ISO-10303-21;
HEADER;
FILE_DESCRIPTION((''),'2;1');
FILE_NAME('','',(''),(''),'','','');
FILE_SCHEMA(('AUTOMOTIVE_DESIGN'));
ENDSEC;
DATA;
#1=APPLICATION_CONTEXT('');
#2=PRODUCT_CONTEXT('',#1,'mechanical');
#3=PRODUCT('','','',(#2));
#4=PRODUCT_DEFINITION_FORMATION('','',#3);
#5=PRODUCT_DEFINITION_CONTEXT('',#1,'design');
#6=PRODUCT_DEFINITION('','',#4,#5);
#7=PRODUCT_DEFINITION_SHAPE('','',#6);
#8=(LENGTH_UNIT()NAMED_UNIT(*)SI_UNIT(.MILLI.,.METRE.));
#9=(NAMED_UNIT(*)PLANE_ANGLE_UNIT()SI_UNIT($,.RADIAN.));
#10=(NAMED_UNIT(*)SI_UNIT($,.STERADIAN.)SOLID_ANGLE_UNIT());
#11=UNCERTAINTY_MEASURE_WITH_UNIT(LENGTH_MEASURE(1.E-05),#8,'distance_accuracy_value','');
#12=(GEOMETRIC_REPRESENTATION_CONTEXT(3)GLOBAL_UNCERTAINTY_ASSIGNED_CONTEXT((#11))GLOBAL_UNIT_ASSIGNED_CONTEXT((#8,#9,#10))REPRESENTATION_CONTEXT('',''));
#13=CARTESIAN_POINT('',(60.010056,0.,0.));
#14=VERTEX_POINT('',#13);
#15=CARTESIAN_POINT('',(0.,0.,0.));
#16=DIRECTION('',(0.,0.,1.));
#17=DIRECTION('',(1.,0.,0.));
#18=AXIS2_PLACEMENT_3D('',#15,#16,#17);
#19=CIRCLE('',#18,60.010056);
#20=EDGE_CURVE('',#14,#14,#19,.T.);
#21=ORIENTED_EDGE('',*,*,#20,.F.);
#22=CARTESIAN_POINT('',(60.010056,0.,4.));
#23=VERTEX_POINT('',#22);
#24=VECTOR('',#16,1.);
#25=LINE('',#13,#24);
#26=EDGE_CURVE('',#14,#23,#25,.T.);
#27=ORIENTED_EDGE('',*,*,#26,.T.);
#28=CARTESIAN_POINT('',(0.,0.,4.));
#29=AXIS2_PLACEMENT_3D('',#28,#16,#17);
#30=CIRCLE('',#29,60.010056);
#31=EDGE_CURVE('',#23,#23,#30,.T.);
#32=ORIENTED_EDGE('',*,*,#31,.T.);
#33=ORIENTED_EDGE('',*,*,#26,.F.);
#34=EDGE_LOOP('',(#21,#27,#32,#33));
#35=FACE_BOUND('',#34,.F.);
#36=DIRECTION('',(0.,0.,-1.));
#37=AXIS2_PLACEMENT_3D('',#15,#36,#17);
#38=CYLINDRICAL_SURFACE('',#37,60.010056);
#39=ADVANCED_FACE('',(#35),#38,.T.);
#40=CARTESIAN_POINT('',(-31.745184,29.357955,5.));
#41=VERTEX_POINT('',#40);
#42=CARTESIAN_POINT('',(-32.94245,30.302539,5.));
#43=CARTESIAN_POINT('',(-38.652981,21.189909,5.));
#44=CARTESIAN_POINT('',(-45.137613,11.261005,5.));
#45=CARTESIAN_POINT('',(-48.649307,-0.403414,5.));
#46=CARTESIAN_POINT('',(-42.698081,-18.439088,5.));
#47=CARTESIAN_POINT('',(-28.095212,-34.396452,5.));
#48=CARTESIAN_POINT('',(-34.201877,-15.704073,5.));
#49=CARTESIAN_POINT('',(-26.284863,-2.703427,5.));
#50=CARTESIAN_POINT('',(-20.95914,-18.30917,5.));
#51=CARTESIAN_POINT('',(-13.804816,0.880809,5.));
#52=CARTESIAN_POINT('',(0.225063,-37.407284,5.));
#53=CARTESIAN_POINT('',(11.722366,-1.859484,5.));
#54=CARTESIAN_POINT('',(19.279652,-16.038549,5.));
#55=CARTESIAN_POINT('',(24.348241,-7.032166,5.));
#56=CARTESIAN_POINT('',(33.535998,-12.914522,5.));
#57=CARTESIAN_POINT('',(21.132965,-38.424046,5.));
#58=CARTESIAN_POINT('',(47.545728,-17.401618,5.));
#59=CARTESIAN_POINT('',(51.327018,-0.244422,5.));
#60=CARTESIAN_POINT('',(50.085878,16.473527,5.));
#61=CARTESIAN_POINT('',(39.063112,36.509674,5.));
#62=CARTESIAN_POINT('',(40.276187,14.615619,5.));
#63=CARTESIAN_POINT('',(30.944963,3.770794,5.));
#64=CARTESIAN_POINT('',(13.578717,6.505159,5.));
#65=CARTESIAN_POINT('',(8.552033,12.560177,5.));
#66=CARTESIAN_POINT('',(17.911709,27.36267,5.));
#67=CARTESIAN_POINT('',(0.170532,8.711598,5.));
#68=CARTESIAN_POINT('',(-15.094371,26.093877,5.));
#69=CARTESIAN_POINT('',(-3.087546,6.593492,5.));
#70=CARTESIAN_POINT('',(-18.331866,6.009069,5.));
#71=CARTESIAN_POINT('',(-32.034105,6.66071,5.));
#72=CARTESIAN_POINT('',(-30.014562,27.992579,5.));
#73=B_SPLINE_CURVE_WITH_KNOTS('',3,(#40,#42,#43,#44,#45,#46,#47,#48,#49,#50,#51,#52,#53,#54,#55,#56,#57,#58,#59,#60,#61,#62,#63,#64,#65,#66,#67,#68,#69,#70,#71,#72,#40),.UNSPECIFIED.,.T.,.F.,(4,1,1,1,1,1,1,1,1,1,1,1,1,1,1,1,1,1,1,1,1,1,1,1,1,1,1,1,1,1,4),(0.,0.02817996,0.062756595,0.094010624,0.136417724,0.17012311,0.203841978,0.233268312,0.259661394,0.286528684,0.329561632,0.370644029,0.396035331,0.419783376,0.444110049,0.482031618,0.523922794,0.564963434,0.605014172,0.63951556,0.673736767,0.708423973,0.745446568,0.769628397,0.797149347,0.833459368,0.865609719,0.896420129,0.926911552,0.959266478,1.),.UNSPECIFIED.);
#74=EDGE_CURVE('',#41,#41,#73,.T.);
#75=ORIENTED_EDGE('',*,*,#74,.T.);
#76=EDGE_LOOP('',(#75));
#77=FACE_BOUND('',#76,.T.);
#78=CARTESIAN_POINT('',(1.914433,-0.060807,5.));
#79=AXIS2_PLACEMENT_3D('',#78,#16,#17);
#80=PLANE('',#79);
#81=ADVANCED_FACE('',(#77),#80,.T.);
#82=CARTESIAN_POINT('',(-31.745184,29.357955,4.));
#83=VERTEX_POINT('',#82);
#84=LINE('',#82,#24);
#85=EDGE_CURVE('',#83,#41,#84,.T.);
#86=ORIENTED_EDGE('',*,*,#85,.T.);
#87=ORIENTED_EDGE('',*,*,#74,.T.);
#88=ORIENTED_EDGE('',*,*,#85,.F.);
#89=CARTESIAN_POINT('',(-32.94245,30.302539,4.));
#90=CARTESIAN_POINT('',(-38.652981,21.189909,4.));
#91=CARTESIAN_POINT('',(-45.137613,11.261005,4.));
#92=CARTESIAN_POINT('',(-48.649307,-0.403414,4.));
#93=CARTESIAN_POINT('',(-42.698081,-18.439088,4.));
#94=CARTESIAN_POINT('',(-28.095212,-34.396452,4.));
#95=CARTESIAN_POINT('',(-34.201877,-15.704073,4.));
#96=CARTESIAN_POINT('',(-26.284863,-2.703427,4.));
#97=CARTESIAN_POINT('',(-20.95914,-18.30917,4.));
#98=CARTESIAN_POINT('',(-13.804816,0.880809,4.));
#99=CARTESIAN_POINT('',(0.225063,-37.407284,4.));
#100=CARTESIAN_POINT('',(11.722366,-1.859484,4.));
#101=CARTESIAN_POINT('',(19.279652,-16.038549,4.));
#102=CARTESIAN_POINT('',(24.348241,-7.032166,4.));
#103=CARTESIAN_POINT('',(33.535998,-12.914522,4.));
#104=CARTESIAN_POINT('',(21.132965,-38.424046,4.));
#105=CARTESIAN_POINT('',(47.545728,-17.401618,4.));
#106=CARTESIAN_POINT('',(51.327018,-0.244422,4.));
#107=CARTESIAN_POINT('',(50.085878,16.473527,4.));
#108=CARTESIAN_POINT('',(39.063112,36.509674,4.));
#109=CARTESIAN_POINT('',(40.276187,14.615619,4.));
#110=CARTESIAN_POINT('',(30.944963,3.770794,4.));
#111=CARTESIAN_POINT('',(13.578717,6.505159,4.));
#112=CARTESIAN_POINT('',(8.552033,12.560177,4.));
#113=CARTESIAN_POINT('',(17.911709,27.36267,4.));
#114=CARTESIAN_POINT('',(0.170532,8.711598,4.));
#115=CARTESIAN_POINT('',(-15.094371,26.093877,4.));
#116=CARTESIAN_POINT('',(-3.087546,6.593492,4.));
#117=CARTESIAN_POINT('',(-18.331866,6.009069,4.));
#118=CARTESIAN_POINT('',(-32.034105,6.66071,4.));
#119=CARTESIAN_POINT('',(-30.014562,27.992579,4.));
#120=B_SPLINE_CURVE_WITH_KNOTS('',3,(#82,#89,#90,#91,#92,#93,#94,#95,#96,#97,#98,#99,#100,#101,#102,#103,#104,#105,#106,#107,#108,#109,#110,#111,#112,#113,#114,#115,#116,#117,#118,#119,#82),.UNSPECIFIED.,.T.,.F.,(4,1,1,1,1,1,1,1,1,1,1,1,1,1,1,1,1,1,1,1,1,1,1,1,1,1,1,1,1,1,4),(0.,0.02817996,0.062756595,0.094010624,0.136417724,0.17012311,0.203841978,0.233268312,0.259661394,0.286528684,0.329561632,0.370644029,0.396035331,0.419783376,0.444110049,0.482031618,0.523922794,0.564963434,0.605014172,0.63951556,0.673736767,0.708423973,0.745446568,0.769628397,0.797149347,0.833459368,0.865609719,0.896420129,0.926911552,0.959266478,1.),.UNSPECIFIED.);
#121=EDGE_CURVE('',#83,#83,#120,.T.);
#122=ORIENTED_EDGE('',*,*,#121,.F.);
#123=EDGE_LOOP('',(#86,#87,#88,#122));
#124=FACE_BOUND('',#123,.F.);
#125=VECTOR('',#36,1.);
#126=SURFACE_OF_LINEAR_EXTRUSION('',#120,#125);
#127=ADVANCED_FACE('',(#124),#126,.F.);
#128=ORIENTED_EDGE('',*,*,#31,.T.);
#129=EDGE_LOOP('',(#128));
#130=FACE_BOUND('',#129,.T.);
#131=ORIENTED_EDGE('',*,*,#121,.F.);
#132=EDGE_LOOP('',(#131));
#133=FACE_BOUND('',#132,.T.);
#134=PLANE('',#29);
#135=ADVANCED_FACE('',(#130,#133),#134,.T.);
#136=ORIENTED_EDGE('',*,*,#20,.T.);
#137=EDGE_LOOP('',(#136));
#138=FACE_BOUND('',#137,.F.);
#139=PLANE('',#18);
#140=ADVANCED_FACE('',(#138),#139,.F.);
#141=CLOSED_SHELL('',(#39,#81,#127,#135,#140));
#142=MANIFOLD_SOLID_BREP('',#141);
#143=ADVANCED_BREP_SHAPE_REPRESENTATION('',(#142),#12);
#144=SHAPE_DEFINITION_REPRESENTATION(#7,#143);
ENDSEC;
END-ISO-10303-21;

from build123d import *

# Parameters (mm, degrees)
F0_R     = 60.0100561602
F1_DEPTH = 4
F3_DEPTH = 1


with BuildPart() as f1:
    # F0 (on Top) → F1 (new body)
    with BuildSketch(Plane.XY):
        Circle(F0_R)
    extrude(amount=F1_DEPTH)

    # F2 (on face) → F3 (join)
    with BuildSketch(Plane.XY.offset(4)):
        with BuildLine():
            add(Edge.make_bspline(
                [(-31.7451842129, 29.3579548597), (-32.9424504326, 30.3025389549), (-38.6529808852, 21.1899091179), (-45.1376131073, 11.2610049819), (-48.6493074718, -0.4034135293), (-42.6980805817, -18.4390875866), (-28.0952115327, -34.3964516312), (-34.2018769722, -15.7040733166), (-26.284862952, -2.7034273556), (-20.9591402698, -18.3091701312), (-13.8048158306, 0.8808092733), (0.2250626961, -37.4072840734), (11.7223663483, -1.8594844788), (19.2796523582, -16.0385486839), (24.3482410101, -7.0321663893), (33.5359977609, -12.9145222118), (21.1329647301, -38.4240464942), (47.5457275266, -17.4016175995), (51.3270184182, -0.2444222723), (50.0858784782, 16.473526883), (39.0631118178, 36.5096735848), (40.2761866449, 14.6156193293), (30.9449629289, 3.7707940383), (13.5787168311, 6.5051591102), (8.5520334324, 12.5601774694), (17.9117087685, 27.3626701468), (0.1705321406, 8.7115982957), (-15.0943706674, 26.0938766714), (-3.0875457658, 6.5934918416), (-18.3318662932, 6.0090691979), (-32.0341047453, 6.6607100538), (-30.0145618098, 27.9925789978), (-31.7451842129, 29.3579548597)],
                knots=[0, 0, 0, 0, 0.02817996, 0.0627565954, 0.0940106243, 0.1364177236, 0.17012311, 0.2038419783, 0.2332683124, 0.2596613937, 0.2865286838, 0.3295616318, 0.3706440291, 0.3960353309, 0.4197833764, 0.4441100495, 0.4820316176, 0.5239227935, 0.5649634339, 0.6050141718, 0.6395155604, 0.6737367667, 0.7084239733, 0.7454465682, 0.769628397, 0.7971493468, 0.8334593676, 0.865609719, 0.8964201286, 0.9269115519, 0.9592664779, 1, 1, 1, 1], degree=3))
        make_face()
    extrude(amount=F3_DEPTH)


solid = f1.part
